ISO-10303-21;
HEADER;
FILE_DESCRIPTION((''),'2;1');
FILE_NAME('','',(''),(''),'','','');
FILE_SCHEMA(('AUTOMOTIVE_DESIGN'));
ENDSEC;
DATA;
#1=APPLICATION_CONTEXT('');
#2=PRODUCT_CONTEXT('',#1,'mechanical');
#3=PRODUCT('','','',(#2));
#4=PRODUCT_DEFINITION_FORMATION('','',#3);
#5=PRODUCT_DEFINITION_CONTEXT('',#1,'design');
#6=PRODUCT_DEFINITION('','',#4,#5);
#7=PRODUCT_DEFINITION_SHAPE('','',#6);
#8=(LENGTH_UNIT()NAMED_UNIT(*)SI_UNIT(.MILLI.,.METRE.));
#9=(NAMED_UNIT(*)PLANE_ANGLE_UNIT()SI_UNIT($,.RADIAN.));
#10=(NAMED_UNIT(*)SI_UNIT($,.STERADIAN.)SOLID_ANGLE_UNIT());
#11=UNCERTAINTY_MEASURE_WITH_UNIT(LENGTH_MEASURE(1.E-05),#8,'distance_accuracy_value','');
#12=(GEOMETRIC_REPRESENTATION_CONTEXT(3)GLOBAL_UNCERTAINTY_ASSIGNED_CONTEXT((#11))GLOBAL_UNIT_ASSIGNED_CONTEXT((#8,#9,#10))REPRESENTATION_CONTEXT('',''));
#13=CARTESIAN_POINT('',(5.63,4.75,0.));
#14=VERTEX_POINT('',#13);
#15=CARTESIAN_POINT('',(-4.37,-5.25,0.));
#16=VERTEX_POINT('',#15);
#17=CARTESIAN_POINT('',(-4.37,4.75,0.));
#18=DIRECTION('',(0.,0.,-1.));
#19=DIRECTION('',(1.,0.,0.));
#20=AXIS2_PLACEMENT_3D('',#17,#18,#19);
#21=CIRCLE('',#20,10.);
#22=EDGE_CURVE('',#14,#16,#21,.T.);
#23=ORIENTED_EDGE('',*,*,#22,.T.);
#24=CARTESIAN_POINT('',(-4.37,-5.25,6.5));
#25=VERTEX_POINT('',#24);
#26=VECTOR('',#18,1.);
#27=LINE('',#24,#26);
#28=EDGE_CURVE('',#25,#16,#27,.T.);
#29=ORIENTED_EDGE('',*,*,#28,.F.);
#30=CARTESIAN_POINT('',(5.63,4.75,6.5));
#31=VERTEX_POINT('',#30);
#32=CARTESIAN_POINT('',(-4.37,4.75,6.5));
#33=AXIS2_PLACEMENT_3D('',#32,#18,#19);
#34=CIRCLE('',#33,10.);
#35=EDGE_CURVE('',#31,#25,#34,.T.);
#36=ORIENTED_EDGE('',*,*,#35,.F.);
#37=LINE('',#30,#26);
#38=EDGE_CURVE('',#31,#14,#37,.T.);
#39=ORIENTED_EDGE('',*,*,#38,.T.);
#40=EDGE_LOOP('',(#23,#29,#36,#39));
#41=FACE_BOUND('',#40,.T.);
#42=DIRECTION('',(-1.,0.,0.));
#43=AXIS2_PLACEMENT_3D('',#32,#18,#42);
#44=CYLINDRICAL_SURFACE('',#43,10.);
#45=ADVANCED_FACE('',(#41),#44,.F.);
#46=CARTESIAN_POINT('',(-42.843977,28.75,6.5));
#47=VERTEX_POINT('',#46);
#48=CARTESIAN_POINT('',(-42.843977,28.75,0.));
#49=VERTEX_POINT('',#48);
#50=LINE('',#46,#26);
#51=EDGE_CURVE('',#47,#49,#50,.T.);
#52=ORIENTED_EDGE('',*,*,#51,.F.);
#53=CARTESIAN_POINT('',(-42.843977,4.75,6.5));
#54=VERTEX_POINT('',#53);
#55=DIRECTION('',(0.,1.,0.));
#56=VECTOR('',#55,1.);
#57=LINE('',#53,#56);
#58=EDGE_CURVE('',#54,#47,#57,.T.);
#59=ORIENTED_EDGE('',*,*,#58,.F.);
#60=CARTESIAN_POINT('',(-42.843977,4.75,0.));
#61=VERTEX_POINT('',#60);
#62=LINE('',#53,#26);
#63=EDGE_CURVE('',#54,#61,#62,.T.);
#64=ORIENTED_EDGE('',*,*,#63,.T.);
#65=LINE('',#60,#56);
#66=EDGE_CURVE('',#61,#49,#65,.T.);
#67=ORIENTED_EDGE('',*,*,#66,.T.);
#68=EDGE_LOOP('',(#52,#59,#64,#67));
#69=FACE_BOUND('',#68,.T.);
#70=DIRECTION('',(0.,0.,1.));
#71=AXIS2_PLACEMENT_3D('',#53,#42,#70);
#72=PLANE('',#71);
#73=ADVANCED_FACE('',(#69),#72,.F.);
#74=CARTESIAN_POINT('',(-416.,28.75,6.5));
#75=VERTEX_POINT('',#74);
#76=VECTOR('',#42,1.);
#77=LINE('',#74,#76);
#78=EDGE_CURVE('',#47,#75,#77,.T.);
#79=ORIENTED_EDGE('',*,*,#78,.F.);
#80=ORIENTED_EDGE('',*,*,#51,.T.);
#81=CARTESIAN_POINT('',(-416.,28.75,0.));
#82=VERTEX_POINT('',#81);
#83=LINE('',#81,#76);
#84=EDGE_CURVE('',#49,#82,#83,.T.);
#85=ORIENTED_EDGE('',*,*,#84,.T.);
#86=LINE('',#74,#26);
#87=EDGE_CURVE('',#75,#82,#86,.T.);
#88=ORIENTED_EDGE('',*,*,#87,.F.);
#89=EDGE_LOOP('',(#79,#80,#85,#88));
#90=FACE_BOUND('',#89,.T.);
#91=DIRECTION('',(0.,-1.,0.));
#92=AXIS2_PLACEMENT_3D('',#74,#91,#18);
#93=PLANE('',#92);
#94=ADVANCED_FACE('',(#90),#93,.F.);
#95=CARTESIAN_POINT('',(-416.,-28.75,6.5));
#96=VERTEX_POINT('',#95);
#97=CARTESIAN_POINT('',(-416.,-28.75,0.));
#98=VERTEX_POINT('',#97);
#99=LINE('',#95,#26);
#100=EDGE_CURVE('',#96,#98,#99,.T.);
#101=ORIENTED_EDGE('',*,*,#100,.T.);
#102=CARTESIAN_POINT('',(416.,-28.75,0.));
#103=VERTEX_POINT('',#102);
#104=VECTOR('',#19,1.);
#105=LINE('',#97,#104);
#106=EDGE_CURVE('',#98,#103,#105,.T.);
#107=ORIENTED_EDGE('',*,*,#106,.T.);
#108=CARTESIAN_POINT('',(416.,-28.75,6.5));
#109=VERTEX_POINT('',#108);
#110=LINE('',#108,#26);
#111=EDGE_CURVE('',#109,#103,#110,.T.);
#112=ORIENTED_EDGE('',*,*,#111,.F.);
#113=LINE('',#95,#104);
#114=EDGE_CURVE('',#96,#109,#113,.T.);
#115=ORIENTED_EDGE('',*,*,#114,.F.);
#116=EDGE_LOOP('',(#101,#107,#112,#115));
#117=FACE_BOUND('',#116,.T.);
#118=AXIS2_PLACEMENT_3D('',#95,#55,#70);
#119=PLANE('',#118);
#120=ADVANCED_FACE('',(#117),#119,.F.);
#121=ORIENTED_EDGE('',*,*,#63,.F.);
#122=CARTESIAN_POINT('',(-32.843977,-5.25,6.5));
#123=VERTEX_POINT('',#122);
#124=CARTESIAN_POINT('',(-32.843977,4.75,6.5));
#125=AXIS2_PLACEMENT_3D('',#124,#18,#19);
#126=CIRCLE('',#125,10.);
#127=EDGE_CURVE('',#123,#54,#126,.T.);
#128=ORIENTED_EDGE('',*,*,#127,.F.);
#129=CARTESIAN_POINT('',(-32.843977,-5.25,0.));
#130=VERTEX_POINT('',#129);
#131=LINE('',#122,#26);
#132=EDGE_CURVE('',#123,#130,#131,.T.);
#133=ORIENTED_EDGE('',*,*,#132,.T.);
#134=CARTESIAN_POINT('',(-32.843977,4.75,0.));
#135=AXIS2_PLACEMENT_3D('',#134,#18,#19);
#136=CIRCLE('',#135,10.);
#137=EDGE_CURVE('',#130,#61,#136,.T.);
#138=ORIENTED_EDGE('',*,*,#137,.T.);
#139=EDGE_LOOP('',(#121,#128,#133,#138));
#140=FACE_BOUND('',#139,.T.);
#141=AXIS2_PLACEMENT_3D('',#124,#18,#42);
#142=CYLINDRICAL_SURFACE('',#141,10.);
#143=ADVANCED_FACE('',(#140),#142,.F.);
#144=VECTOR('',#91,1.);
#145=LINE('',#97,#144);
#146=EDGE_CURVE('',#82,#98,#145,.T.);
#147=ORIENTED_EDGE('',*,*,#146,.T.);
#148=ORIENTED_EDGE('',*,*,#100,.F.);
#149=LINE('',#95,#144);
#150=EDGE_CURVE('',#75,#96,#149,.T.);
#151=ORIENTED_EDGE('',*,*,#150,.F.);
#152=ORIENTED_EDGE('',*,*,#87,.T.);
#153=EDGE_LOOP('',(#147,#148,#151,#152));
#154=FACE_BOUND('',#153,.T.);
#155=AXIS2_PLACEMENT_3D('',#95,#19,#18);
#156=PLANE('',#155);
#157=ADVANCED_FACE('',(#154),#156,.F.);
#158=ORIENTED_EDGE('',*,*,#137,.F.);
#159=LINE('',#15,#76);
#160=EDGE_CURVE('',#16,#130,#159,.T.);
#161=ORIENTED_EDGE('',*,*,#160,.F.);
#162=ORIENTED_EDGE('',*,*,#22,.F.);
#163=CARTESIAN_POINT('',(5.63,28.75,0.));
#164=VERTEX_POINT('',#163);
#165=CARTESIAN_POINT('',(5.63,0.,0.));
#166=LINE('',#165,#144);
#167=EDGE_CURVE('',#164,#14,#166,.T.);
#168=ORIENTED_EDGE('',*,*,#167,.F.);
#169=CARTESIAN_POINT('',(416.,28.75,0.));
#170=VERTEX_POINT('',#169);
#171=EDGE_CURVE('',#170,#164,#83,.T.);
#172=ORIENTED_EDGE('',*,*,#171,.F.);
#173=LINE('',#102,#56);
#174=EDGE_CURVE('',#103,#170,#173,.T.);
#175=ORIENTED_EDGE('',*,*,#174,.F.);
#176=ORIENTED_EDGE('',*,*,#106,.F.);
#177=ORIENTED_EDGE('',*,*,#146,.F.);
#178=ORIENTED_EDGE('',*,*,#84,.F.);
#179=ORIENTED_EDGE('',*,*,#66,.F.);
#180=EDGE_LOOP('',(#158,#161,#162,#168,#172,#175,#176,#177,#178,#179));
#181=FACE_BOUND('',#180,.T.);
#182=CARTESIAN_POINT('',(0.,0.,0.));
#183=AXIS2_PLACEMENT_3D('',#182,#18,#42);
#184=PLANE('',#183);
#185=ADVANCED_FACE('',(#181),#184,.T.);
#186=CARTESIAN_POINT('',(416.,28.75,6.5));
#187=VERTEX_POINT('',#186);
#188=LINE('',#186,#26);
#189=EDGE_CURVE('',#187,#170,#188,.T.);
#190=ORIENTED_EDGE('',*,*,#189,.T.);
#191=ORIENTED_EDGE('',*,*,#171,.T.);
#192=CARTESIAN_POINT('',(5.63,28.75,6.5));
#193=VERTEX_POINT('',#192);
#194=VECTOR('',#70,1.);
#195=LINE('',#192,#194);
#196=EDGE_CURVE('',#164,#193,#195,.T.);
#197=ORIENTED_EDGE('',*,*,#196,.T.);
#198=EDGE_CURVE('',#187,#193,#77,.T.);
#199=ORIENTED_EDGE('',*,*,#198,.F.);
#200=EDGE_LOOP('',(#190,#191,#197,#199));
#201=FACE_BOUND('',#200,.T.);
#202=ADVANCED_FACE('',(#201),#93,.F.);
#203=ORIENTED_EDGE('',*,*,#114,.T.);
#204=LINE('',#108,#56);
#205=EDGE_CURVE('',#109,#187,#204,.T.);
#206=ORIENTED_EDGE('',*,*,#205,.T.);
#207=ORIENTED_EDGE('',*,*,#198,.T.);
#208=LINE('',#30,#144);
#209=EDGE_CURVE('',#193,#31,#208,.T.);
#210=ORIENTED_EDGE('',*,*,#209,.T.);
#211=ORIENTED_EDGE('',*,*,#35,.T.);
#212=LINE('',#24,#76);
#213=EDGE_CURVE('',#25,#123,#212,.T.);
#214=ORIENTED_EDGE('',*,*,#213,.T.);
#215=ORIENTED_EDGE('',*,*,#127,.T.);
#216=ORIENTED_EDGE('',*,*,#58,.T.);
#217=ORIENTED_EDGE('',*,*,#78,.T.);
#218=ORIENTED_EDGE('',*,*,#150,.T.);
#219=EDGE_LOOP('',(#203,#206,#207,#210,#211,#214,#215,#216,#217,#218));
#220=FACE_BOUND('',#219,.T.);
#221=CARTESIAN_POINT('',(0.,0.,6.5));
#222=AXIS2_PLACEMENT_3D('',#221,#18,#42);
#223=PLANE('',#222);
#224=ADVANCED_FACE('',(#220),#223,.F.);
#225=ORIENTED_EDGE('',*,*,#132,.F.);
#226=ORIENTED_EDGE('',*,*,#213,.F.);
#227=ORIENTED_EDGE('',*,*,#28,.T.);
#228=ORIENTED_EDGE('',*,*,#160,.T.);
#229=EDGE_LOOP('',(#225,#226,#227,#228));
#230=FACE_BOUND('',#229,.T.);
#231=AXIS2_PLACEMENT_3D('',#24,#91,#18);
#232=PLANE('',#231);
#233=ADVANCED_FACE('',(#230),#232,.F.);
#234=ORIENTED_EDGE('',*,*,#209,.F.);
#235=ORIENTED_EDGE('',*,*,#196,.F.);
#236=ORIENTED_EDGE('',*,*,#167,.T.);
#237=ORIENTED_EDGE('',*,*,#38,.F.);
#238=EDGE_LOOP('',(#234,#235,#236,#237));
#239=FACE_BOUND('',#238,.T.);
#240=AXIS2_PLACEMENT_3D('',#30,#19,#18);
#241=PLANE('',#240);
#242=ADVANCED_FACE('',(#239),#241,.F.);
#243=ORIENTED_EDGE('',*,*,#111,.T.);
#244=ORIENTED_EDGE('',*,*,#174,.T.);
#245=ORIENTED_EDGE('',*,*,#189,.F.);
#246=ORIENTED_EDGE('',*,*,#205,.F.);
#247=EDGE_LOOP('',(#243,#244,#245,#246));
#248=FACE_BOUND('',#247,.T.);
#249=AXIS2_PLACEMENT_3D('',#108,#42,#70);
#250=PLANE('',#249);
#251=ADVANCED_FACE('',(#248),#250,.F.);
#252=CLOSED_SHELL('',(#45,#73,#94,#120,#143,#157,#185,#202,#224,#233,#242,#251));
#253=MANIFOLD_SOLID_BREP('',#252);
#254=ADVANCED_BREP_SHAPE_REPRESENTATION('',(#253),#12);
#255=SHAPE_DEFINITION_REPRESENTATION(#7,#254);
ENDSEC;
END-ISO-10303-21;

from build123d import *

# Parameters (mm, degrees)
ESQUISSE1_W             = 832
ESQUISSE1_H             = 57.5
BOSS_EXTRU_1_DEPTH      = 6.5
ENL_V_MAT_EXTRU_1_DEPTH = 418.042938437


with BuildPart() as part:
    # Esquisse1 → Boss.-Extru.1 (new body)
    with BuildSketch(Plane.XY):
        Rectangle(ESQUISSE1_W, ESQUISSE1_H)
    extrude(amount=BOSS_EXTRU_1_DEPTH)

    # Esquisse2 → Enlèv. mat.-Extru.1 (cut, through all)
    with BuildSketch(Plane(origin=(0, 0, 0), x_dir=(-1, 0, 0), z_dir=(0, 0, -1))):
        with BuildLine():
            Line((4.37, -5.25), (32.84397684, -5.25))
            ThreePointArc((32.84397684, -5.25), (39.915044651, -2.321067812), (42.84397684, 4.75))
            Line((42.84397684, 4.75), (42.84397684, 32.796121721))
            ThreePointArc((42.84397684, 32.796121721), (39.915044651, 39.867189532), (32.84397684, 42.796121721))
            Line((32.84397684, 42.796121721), (4.37, 42.796121721))
            ThreePointArc((4.37, 42.796121721), (-2.701067812, 39.867189532), (-5.63, 32.796121721))
            Line((-5.63, 32.796121721), (-5.63, 4.75))
            ThreePointArc((-5.63, 4.75), (-2.701067812, -2.321067812), (4.37, -5.25))
        make_face()
    extrude(amount=-ENL_V_MAT_EXTRU_1_DEPTH, mode=Mode.SUBTRACT)


solid = part.part
